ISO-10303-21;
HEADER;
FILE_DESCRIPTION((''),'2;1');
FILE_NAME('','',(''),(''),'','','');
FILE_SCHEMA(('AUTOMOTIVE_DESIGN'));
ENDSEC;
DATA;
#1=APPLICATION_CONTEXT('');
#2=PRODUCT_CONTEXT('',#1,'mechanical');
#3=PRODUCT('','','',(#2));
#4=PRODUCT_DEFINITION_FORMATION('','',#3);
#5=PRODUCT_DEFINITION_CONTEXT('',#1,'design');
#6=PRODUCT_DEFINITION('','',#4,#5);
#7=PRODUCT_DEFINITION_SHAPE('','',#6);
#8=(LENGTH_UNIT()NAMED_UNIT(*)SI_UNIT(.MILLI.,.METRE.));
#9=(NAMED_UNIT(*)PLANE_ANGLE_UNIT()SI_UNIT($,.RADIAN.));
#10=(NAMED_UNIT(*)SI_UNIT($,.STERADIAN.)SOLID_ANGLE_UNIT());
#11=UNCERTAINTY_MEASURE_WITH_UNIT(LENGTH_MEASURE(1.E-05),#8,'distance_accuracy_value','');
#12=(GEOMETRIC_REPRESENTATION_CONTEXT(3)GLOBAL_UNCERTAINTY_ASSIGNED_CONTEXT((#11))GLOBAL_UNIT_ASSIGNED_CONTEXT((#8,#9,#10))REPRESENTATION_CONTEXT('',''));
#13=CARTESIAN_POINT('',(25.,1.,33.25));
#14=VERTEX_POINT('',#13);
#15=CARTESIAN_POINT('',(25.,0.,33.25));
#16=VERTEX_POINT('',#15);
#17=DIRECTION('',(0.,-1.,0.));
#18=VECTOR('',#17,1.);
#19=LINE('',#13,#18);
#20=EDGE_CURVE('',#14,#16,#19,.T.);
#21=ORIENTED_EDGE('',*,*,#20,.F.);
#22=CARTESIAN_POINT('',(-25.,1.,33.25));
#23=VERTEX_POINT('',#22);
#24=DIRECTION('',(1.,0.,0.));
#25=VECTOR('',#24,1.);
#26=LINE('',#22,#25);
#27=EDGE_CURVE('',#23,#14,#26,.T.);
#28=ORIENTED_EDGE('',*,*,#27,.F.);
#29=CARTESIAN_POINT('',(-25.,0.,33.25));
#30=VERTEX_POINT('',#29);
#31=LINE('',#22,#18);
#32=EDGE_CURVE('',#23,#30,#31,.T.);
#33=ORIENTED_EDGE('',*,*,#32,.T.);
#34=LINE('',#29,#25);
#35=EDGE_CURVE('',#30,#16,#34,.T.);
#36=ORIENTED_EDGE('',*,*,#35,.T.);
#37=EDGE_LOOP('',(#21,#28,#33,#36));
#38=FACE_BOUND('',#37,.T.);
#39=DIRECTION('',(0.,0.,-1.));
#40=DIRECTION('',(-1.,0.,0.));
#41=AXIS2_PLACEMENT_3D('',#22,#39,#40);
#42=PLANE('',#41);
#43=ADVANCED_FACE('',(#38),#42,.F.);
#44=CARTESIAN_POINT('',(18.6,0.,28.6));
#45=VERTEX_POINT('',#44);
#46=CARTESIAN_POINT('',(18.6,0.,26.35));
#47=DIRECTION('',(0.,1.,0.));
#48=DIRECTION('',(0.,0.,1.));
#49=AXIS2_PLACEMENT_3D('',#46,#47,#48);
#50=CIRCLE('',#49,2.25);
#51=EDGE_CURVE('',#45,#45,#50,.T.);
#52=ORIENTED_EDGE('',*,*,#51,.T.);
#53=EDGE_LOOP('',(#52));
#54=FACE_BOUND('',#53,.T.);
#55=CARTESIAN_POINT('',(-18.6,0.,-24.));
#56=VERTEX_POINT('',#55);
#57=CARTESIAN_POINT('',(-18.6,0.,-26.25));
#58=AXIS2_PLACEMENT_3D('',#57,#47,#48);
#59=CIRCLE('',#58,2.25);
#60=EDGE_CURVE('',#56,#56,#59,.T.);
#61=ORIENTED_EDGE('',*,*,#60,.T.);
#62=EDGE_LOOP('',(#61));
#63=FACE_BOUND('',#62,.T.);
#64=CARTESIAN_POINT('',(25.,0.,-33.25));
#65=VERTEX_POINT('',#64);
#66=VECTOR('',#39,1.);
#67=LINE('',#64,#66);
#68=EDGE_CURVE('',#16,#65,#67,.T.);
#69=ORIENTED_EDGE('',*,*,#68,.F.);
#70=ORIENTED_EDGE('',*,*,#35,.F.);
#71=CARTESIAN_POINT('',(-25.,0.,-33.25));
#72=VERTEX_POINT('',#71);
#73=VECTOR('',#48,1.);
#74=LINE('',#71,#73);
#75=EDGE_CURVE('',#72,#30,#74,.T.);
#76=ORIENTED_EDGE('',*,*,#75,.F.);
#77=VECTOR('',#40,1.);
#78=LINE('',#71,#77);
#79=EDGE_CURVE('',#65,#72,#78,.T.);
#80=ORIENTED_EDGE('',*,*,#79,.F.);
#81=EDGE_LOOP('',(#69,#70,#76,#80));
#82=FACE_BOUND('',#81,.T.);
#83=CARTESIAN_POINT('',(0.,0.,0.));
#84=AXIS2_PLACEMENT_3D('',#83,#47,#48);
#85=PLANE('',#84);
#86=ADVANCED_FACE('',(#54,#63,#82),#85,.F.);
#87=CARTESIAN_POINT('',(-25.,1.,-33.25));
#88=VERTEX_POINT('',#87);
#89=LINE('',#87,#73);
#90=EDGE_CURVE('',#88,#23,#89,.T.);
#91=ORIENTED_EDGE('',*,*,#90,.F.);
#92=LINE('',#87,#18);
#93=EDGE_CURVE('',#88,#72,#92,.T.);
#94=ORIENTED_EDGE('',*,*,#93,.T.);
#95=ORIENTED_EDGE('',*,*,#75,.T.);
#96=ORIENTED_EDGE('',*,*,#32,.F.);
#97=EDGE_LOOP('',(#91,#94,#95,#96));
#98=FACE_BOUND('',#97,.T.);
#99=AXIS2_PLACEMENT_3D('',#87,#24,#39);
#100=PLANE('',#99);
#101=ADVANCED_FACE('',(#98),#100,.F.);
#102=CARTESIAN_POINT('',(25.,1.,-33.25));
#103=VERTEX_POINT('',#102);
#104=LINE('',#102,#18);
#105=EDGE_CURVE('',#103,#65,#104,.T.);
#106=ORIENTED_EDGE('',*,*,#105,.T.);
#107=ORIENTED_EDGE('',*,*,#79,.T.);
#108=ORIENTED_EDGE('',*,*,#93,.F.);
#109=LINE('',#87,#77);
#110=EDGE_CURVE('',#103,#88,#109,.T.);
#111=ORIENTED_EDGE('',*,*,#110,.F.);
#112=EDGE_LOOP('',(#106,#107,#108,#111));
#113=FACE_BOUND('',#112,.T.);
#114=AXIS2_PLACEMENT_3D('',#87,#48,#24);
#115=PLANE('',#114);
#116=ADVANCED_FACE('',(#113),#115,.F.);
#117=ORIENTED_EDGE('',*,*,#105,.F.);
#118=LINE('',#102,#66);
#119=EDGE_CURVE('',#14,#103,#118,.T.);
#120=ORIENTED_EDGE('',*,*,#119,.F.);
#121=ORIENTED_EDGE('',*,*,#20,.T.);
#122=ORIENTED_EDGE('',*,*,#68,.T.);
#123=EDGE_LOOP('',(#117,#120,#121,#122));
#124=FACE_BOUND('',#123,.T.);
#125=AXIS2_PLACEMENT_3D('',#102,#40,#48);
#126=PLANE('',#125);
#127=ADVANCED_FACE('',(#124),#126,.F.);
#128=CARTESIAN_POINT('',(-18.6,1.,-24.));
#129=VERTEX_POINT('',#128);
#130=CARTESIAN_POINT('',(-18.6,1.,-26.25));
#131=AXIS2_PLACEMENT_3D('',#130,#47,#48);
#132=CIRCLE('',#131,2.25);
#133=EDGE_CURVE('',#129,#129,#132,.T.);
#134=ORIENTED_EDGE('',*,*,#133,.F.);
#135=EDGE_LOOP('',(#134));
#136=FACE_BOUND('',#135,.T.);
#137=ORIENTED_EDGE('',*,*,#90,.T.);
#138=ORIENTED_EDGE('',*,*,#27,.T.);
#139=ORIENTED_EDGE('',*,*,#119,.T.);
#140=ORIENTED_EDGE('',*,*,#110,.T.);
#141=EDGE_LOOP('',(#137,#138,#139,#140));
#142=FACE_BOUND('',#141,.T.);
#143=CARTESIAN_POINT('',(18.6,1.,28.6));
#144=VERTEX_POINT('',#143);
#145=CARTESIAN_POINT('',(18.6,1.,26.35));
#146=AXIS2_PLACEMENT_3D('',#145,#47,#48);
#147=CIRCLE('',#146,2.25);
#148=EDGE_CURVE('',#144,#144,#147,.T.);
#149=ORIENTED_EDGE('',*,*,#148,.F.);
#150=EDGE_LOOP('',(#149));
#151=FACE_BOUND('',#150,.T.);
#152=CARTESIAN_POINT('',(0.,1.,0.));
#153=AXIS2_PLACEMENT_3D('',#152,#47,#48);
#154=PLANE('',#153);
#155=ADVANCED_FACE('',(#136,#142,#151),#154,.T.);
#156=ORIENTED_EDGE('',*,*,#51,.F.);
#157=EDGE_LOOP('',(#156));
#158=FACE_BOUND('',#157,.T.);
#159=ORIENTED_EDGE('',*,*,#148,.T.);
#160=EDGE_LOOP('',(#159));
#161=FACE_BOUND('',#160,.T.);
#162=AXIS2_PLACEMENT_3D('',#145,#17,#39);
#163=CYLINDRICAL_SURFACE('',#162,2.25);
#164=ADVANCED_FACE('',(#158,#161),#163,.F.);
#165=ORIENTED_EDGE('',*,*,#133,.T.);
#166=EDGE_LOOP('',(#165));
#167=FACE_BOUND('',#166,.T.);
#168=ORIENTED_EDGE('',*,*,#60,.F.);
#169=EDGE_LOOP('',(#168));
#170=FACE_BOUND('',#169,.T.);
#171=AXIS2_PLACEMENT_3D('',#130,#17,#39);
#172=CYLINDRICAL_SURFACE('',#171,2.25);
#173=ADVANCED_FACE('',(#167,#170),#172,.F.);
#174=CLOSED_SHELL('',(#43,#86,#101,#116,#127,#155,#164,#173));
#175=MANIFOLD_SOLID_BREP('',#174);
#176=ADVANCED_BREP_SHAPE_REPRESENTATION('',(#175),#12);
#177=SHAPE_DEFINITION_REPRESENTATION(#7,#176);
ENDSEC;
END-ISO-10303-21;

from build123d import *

# Parameters (mm, degrees)
SKETCH1_W           = 50
SKETCH1_H           = 66.5
SKETCH1_R           = 2.25
BOSS_EXTRUDE1_DEPTH = 1


with BuildPart() as part:
    # Sketch1 → Boss-Extrude1 (new body)
    with BuildSketch(Plane(origin=(0, 0, 0), x_dir=(1, 0, 0), z_dir=(0, 1, 0))):
        Rectangle(SKETCH1_W, SKETCH1_H)
        with Locations(Location((-18.6, 26.25, 0), (0, 0, 270))):
            Circle(SKETCH1_R, mode=Mode.SUBTRACT)
        with Locations(Location((18.6, -26.35, 0), (0, 0, 270))):
            Circle(SKETCH1_R, mode=Mode.SUBTRACT)
    extrude(amount=BOSS_EXTRUDE1_DEPTH)


solid = part.part
